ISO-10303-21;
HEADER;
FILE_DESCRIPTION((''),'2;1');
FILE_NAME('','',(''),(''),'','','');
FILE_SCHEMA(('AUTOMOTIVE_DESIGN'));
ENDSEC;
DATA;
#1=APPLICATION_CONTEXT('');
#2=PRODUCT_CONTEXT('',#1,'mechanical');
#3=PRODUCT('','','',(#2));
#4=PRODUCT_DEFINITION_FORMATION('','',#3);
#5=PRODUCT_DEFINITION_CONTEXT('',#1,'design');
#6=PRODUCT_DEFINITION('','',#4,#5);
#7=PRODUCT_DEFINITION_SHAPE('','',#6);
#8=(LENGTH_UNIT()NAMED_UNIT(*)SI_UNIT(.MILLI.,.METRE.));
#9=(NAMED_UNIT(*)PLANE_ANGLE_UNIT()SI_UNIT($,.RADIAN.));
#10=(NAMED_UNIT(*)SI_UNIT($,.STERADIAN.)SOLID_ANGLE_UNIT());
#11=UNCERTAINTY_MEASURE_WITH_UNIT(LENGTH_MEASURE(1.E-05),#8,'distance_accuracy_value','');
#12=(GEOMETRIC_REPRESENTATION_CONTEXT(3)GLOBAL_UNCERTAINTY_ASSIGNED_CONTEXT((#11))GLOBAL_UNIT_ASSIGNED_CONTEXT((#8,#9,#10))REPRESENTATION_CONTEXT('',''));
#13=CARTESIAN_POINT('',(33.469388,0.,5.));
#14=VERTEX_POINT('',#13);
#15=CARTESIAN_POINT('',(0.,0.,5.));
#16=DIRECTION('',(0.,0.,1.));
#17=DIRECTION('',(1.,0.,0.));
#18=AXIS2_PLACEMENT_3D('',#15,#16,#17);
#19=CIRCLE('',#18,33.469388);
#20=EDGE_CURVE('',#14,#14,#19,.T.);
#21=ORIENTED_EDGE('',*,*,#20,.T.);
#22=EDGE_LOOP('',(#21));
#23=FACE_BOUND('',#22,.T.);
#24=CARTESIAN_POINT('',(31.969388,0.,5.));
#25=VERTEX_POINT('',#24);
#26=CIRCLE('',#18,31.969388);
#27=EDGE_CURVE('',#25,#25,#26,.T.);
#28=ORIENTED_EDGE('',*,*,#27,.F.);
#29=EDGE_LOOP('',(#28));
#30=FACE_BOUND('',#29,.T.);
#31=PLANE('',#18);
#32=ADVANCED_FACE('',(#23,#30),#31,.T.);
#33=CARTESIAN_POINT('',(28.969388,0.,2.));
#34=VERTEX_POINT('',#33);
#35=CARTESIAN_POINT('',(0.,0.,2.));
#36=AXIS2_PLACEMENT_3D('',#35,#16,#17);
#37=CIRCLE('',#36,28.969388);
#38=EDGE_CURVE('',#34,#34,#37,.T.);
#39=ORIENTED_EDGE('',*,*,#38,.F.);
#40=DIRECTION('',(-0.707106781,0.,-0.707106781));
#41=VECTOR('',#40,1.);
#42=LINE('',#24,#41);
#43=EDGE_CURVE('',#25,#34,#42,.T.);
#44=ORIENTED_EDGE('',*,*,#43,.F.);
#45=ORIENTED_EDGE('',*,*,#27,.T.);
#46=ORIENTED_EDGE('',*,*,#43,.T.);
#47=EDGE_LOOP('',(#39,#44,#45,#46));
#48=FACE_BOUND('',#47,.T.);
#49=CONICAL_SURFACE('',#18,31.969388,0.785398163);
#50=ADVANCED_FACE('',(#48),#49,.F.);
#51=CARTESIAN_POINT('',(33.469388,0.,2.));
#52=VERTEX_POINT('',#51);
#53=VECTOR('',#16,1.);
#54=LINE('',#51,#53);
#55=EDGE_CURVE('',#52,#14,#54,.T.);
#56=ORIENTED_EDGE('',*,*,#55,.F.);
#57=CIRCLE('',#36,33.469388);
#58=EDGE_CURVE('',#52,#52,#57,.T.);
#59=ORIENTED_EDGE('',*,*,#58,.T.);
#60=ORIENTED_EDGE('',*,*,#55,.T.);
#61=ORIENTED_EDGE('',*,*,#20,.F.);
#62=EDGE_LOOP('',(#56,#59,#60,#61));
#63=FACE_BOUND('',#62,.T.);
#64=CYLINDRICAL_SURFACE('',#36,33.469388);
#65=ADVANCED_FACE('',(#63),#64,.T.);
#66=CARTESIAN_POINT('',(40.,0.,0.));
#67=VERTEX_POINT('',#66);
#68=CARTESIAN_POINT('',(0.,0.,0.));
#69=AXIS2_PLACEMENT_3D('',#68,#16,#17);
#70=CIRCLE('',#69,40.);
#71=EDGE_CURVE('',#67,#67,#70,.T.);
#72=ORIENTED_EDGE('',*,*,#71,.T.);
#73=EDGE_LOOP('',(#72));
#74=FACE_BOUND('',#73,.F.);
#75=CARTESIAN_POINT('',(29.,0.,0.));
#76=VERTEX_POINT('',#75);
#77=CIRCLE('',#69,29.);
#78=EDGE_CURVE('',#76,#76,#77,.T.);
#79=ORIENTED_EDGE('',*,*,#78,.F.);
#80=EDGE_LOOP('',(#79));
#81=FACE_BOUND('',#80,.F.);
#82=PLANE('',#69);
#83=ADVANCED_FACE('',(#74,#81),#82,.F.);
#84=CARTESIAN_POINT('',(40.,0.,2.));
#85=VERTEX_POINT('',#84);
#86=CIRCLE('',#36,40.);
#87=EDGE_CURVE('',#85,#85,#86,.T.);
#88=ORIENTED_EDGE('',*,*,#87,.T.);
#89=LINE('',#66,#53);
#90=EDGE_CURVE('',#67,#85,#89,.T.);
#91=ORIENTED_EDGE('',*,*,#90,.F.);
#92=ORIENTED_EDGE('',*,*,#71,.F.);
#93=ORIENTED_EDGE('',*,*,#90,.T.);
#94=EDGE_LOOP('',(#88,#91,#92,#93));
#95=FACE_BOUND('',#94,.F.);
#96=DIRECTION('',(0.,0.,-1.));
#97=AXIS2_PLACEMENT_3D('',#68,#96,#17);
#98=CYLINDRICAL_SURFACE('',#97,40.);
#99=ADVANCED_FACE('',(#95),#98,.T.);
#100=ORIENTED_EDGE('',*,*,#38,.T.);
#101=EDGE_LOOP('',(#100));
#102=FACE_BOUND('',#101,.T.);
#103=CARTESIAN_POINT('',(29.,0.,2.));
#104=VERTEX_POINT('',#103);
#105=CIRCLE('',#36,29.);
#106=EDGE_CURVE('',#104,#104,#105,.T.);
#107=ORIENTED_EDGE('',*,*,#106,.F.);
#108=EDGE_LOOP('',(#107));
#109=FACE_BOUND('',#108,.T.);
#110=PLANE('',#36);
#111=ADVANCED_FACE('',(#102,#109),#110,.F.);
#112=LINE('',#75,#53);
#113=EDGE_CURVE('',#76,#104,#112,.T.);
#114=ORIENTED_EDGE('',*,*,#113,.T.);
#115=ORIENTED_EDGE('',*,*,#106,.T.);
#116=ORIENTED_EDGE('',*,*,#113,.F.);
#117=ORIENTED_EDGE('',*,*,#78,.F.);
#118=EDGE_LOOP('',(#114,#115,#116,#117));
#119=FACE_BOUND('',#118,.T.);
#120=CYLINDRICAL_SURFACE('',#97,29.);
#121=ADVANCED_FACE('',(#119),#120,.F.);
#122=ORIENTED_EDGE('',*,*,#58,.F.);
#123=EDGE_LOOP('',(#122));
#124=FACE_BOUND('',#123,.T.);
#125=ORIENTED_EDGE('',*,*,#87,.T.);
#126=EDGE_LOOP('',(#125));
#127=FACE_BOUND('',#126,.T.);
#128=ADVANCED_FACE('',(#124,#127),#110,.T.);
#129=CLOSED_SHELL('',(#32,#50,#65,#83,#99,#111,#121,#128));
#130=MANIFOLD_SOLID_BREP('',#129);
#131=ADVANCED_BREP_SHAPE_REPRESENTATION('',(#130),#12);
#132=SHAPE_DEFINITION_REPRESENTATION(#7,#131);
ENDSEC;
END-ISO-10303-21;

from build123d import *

# Parameters (mm, degrees)
F0_R     = 40
F0_R_2   = 29
F1_DEPTH = 2


with BuildPart() as f1:
    # F0 (on Top) → F1 (new body)
    with BuildSketch(Plane.XY):
        Circle(F0_R)
        Circle(F0_R_2, mode=Mode.SUBTRACT)
    extrude(amount=F1_DEPTH)

    # F2 (on Front) → F3 (revolve)
    with BuildSketch(Plane.XZ):
        Polygon((31.969388, 5), (28.969388, 2), (31.969388, 2), (33.469388, 2), (33.469388, 5), align=None)
    revolve(axis=Axis((0, 0, 4.160745), (0, 0, 1)))


solid = f1.part
